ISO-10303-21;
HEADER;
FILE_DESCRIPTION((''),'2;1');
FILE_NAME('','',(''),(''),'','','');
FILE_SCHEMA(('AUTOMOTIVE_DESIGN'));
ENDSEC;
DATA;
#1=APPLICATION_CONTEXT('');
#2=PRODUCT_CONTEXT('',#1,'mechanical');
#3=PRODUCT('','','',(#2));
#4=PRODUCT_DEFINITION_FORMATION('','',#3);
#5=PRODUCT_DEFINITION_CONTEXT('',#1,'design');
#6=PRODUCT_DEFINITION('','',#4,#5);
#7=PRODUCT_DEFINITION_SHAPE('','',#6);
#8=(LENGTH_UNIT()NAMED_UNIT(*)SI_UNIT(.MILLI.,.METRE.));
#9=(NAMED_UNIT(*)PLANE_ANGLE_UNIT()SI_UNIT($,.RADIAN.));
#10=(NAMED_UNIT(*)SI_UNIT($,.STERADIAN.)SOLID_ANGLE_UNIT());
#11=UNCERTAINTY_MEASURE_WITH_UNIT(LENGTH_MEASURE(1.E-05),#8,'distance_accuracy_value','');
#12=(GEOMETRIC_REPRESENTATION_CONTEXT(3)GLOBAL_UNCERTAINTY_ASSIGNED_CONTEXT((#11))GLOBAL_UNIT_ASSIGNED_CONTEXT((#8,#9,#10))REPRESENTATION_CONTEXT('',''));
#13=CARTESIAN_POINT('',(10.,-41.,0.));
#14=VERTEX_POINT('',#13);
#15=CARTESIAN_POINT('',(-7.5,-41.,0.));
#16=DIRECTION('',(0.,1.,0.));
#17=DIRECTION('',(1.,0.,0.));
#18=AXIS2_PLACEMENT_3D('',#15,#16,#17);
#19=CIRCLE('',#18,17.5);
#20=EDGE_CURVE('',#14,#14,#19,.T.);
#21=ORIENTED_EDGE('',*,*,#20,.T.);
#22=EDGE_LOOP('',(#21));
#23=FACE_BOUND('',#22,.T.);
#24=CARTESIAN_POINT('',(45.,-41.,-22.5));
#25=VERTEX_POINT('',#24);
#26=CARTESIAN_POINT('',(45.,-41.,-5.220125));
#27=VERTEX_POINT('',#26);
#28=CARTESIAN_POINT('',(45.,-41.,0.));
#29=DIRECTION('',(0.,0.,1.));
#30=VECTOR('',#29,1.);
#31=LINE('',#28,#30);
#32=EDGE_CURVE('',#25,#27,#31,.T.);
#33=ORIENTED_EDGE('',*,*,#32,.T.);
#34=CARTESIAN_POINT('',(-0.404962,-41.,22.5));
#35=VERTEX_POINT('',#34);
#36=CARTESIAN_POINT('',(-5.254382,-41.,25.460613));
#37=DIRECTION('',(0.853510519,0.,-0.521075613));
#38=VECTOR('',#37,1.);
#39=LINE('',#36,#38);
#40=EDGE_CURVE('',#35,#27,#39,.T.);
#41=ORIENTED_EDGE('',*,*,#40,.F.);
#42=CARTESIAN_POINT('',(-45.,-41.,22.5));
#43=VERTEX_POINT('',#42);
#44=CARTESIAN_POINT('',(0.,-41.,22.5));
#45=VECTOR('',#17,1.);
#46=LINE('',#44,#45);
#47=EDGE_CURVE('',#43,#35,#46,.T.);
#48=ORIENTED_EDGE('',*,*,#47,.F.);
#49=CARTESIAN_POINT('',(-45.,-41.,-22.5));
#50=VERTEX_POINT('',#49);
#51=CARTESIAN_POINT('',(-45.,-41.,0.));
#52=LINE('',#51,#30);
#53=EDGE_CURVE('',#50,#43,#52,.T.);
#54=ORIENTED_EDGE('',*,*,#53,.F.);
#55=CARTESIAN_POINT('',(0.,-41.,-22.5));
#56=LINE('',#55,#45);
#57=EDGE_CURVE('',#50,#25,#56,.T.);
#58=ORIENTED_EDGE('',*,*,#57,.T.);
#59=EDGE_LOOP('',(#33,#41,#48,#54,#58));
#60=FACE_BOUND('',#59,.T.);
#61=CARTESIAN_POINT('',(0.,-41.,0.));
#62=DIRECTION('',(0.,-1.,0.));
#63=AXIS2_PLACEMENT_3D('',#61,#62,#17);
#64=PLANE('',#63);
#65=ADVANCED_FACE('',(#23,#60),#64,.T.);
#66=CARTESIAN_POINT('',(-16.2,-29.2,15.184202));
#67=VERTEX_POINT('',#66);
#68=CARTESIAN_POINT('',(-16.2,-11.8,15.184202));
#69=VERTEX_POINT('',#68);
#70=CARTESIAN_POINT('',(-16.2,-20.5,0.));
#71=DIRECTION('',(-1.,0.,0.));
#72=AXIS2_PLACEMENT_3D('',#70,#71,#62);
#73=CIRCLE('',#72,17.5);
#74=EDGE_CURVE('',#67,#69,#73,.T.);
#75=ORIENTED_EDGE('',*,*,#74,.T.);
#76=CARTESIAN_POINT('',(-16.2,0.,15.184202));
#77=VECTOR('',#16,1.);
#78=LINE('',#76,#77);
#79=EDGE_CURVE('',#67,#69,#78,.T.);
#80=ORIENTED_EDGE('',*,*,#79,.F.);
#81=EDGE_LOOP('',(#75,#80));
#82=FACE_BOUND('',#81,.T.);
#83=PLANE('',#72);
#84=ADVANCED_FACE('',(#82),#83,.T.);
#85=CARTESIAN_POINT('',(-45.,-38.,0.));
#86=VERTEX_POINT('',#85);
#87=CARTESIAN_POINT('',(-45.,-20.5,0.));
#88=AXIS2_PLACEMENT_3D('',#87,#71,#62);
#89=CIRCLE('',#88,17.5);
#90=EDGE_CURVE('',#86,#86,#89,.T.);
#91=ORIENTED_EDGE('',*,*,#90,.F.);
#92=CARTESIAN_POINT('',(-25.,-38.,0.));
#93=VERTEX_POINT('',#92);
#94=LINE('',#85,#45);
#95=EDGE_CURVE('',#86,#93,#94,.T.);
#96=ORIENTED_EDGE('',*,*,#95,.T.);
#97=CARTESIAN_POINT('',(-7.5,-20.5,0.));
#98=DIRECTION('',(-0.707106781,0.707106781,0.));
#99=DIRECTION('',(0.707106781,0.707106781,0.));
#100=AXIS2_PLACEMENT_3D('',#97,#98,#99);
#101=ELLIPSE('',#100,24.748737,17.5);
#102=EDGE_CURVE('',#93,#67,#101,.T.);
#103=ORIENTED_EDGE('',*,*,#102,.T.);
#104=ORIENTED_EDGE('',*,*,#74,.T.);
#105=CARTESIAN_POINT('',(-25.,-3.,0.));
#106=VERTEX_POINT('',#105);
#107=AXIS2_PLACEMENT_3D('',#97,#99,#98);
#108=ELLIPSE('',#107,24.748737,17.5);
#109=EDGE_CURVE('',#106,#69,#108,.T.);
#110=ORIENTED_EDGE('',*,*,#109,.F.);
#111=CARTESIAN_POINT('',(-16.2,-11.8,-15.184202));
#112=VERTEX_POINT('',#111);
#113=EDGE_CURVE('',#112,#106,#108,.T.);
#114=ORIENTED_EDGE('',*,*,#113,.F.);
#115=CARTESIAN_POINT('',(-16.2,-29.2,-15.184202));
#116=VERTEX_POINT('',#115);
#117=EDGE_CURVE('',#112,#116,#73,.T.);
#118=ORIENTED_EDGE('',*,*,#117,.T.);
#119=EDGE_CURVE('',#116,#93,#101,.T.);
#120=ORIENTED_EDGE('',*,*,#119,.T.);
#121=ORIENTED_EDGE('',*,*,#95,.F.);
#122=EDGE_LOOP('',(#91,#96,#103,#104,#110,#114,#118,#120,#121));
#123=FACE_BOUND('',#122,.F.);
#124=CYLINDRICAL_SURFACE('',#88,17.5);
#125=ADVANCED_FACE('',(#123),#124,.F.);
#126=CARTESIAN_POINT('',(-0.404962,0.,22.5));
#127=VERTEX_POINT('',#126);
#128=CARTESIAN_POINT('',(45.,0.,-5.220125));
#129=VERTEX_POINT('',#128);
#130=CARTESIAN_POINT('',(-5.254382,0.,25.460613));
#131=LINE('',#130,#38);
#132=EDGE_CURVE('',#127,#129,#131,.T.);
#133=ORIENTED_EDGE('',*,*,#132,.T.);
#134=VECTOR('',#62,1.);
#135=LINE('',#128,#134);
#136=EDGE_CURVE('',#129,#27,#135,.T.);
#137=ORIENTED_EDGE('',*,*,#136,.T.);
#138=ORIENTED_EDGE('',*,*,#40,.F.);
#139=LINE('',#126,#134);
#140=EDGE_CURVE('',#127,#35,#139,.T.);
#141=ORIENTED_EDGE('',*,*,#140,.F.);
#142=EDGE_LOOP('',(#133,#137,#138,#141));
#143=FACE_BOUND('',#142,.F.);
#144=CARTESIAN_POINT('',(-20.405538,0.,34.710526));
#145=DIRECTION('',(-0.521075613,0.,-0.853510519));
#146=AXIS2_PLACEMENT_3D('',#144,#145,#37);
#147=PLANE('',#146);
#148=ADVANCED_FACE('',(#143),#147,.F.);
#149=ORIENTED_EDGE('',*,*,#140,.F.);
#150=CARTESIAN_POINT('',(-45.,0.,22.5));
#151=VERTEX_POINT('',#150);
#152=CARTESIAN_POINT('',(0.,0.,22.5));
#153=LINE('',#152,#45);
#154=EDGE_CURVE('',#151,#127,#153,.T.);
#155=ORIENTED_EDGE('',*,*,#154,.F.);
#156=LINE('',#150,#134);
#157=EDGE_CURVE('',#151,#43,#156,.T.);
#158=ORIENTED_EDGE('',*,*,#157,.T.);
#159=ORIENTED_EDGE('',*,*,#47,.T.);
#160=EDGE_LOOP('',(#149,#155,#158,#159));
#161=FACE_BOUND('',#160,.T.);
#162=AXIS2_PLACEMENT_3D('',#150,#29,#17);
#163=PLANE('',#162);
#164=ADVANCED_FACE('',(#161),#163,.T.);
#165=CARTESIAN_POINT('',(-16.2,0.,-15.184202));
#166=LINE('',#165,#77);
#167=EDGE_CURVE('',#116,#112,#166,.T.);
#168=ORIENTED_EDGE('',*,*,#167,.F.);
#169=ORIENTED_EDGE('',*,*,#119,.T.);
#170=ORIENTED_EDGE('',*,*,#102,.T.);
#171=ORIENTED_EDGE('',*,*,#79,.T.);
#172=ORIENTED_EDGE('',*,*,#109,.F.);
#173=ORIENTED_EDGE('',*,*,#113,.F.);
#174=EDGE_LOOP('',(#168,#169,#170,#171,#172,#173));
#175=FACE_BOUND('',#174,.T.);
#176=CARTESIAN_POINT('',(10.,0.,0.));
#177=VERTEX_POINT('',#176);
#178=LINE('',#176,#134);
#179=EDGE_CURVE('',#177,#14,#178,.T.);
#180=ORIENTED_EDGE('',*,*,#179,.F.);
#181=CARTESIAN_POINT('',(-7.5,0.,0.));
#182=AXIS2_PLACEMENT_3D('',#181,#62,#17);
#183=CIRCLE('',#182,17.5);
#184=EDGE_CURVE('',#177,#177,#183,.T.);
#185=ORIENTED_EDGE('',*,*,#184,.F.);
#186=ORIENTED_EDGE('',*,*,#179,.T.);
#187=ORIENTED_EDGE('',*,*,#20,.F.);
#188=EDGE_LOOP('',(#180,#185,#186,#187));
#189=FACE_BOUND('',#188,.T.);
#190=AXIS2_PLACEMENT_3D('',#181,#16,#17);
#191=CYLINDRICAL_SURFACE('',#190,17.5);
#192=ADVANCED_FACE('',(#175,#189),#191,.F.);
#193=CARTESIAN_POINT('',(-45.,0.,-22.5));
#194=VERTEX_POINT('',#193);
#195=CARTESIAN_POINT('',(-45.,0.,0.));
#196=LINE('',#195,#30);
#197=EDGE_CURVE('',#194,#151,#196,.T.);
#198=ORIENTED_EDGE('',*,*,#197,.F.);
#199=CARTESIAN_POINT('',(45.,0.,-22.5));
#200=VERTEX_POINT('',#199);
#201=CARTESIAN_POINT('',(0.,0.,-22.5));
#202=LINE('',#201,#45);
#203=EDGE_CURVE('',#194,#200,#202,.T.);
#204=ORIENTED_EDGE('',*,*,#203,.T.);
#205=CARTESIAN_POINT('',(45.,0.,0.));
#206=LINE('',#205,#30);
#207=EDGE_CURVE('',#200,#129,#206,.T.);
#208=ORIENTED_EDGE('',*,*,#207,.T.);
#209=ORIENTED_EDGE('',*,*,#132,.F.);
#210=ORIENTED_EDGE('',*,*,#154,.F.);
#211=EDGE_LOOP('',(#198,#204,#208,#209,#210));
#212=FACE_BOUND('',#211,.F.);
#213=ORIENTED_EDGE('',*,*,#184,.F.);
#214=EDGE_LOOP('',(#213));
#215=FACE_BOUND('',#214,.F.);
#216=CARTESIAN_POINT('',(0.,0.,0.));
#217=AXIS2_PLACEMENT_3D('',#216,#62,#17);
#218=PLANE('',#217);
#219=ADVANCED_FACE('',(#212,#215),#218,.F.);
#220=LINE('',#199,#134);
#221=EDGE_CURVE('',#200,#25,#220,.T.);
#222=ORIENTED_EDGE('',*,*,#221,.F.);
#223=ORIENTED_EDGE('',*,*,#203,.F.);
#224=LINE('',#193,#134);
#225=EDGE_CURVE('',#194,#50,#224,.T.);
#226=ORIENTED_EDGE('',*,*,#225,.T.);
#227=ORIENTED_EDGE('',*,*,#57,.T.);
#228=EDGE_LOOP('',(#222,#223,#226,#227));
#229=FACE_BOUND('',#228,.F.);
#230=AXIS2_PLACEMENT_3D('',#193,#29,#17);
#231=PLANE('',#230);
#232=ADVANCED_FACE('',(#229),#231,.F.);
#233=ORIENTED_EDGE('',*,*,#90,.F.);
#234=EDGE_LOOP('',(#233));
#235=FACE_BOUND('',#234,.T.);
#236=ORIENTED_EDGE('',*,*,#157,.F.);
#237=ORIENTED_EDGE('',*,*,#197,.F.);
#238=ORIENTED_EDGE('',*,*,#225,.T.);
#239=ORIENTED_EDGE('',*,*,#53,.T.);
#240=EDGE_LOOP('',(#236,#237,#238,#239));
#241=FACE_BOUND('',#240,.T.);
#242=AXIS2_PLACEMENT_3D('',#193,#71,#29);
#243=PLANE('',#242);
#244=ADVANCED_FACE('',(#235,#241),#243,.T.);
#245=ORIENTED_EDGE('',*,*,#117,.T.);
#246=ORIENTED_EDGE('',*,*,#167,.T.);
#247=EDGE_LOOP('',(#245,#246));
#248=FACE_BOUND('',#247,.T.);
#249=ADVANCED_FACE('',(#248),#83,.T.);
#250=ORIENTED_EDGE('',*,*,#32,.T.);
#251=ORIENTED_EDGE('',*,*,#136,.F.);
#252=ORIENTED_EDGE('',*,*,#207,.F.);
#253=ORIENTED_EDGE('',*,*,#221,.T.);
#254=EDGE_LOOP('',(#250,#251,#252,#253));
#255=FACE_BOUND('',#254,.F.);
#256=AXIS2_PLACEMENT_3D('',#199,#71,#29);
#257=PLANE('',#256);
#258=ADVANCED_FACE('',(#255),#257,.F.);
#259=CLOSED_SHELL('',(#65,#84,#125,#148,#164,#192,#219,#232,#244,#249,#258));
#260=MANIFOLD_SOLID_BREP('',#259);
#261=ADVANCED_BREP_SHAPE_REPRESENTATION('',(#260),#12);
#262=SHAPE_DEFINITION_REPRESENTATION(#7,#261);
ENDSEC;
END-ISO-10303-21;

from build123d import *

# Parameters (mm, degrees)
F0_W     = 90
F0_H     = 45
F1_DEPTH = 41
F2_R     = 17.5
F3_DEPTH = 80.040589
F5_DEPTH = 60
F6_R     = 17.5
F7_DEPTH = 28.8


with BuildPart() as f1:
    # F0 (on Front) → F1 (new body)
    with BuildSketch(Plane.XZ):
        Rectangle(F0_W, F0_H)
    extrude(amount=F1_DEPTH)

    # F2 (on Front) → F3 (cut)
    with BuildSketch(Plane.XZ):
        with Locations((-7.5, 0)):
            Circle(F2_R)
    extrude(amount=F3_DEPTH, mode=Mode.SUBTRACT)

    # F4 (on face) → F5 (cut, symmetric)
    with BuildSketch(Plane.XZ):
        Polygon((-20.405538, 34.710526), (50.253086, -8.42718), (50.312012, 38.423195), align=None)
    extrude(amount=F5_DEPTH, both=True, mode=Mode.SUBTRACT)

    # F6 (on face) → F7 (cut)
    with BuildSketch(Plane(origin=(-45, 0, 0), x_dir=(0, -1, 0), z_dir=(-1, 0, 0))):
        with Locations((20.5, 0)):
            Circle(F6_R)
    extrude(amount=-F7_DEPTH, mode=Mode.SUBTRACT)


solid = f1.part
